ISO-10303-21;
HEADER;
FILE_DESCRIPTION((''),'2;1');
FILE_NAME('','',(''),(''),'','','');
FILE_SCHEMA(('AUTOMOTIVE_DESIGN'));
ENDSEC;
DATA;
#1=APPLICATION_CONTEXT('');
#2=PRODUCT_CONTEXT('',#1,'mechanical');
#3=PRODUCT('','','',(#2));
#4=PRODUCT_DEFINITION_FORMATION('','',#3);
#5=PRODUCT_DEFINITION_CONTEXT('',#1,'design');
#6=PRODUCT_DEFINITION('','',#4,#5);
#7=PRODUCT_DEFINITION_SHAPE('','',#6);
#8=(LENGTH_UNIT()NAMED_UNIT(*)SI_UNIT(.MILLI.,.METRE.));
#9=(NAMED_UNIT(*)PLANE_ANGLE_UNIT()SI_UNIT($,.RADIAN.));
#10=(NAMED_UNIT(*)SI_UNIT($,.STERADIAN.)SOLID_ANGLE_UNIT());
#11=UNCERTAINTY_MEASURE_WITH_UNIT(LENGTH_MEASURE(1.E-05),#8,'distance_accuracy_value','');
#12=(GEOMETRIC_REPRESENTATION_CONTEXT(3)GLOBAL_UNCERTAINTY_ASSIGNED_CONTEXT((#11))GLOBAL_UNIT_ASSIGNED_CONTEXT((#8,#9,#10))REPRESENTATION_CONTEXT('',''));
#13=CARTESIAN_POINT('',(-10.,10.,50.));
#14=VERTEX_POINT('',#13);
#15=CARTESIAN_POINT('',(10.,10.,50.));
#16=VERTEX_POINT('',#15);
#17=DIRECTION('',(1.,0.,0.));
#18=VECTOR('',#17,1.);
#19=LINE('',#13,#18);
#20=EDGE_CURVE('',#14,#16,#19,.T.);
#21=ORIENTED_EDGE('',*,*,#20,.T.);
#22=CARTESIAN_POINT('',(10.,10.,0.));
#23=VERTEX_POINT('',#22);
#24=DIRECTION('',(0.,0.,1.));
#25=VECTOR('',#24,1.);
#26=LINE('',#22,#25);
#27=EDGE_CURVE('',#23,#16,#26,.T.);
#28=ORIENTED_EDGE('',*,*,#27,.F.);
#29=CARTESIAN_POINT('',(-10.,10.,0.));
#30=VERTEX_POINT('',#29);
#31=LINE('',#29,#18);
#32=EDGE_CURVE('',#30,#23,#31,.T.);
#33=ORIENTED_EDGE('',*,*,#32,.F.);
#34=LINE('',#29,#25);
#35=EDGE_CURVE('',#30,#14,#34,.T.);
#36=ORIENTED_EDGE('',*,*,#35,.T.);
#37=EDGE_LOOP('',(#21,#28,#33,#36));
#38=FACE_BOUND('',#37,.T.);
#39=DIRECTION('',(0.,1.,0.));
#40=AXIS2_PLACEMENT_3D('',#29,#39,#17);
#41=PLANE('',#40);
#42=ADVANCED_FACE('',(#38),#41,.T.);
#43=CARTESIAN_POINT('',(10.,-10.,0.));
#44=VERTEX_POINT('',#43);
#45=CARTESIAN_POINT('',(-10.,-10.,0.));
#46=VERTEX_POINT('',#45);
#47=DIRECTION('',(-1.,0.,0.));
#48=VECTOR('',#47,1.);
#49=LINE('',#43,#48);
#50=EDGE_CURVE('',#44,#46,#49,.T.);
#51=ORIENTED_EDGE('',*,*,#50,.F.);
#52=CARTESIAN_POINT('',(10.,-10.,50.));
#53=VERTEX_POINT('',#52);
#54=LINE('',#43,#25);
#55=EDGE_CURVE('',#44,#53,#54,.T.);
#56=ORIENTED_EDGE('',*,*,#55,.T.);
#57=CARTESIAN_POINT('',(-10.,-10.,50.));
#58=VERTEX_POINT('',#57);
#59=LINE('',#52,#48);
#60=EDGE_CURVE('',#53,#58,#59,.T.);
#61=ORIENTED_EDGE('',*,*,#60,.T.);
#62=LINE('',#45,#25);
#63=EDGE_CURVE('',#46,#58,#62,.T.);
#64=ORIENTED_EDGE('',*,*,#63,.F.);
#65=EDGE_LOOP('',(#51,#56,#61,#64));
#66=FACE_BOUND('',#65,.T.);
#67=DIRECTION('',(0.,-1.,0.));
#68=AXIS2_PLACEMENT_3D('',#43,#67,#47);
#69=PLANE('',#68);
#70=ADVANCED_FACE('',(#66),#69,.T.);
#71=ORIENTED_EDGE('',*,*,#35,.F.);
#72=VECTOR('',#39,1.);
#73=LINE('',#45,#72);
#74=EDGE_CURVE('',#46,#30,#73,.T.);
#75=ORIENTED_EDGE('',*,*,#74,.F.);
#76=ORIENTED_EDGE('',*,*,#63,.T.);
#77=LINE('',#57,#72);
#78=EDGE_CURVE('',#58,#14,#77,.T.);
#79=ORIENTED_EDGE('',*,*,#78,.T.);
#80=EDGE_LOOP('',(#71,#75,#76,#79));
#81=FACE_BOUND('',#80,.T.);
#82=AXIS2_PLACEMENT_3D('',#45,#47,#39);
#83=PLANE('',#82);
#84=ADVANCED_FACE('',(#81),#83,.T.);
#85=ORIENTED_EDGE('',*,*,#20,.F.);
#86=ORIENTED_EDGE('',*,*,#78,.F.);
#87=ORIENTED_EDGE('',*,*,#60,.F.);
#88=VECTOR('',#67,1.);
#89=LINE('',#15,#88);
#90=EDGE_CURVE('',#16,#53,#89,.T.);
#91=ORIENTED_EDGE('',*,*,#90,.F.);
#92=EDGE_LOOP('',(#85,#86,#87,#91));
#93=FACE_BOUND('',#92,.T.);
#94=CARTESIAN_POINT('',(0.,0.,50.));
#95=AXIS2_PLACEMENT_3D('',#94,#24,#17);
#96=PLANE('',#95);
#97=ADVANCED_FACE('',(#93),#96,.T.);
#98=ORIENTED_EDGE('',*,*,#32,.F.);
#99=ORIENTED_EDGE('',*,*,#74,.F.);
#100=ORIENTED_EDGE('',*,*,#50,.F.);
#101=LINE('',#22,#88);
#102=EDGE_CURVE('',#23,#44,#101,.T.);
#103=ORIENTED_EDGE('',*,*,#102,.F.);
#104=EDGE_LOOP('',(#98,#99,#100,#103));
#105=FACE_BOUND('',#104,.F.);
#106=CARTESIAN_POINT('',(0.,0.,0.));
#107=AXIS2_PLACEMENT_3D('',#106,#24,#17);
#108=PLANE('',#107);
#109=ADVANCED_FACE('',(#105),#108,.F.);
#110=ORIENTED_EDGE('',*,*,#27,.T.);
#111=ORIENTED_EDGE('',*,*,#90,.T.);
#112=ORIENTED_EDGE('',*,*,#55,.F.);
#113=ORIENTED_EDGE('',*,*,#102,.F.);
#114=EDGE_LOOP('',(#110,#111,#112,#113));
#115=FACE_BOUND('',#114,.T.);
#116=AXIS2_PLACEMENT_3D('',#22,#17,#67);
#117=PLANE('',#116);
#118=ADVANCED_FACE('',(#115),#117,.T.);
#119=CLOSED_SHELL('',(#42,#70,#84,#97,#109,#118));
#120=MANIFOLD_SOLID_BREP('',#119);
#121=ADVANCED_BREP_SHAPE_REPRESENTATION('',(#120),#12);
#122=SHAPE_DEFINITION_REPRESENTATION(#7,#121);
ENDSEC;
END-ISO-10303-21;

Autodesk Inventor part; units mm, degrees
ref_plane "YZ Plane" through (0, 0, 0) normal (1, 0, 0) x (0, 1, 0)
ref_plane "XZ Plane" through (0, 0, 0) normal (0, 1, 0) x (-1, 0, 0)
ref_plane "XY Plane" through (0, 0, 0) normal (0, 0, 1) x (1, 0, 0)
sketch "Sketch1" plane through (0, 0, 0) normal (0, 0, 1) x (1, 0, 0)
  line L0 (-10, 10) -> (10, 10)
  line L1 (10, 10) -> (10, -10)
  line L2 (10, -10) -> (-10, -10)
  line L3 (-10, -10) -> (-10, 10)
  point P0 (0, 0)
  dimension "d0" = 20
  dimension "d1" = 20
  dimension "d2" = 10
  dimension "d3" = 10
extrude "Extrusion1" add sketch "Sketch1" along normal blind 50
properties part number "joint"
